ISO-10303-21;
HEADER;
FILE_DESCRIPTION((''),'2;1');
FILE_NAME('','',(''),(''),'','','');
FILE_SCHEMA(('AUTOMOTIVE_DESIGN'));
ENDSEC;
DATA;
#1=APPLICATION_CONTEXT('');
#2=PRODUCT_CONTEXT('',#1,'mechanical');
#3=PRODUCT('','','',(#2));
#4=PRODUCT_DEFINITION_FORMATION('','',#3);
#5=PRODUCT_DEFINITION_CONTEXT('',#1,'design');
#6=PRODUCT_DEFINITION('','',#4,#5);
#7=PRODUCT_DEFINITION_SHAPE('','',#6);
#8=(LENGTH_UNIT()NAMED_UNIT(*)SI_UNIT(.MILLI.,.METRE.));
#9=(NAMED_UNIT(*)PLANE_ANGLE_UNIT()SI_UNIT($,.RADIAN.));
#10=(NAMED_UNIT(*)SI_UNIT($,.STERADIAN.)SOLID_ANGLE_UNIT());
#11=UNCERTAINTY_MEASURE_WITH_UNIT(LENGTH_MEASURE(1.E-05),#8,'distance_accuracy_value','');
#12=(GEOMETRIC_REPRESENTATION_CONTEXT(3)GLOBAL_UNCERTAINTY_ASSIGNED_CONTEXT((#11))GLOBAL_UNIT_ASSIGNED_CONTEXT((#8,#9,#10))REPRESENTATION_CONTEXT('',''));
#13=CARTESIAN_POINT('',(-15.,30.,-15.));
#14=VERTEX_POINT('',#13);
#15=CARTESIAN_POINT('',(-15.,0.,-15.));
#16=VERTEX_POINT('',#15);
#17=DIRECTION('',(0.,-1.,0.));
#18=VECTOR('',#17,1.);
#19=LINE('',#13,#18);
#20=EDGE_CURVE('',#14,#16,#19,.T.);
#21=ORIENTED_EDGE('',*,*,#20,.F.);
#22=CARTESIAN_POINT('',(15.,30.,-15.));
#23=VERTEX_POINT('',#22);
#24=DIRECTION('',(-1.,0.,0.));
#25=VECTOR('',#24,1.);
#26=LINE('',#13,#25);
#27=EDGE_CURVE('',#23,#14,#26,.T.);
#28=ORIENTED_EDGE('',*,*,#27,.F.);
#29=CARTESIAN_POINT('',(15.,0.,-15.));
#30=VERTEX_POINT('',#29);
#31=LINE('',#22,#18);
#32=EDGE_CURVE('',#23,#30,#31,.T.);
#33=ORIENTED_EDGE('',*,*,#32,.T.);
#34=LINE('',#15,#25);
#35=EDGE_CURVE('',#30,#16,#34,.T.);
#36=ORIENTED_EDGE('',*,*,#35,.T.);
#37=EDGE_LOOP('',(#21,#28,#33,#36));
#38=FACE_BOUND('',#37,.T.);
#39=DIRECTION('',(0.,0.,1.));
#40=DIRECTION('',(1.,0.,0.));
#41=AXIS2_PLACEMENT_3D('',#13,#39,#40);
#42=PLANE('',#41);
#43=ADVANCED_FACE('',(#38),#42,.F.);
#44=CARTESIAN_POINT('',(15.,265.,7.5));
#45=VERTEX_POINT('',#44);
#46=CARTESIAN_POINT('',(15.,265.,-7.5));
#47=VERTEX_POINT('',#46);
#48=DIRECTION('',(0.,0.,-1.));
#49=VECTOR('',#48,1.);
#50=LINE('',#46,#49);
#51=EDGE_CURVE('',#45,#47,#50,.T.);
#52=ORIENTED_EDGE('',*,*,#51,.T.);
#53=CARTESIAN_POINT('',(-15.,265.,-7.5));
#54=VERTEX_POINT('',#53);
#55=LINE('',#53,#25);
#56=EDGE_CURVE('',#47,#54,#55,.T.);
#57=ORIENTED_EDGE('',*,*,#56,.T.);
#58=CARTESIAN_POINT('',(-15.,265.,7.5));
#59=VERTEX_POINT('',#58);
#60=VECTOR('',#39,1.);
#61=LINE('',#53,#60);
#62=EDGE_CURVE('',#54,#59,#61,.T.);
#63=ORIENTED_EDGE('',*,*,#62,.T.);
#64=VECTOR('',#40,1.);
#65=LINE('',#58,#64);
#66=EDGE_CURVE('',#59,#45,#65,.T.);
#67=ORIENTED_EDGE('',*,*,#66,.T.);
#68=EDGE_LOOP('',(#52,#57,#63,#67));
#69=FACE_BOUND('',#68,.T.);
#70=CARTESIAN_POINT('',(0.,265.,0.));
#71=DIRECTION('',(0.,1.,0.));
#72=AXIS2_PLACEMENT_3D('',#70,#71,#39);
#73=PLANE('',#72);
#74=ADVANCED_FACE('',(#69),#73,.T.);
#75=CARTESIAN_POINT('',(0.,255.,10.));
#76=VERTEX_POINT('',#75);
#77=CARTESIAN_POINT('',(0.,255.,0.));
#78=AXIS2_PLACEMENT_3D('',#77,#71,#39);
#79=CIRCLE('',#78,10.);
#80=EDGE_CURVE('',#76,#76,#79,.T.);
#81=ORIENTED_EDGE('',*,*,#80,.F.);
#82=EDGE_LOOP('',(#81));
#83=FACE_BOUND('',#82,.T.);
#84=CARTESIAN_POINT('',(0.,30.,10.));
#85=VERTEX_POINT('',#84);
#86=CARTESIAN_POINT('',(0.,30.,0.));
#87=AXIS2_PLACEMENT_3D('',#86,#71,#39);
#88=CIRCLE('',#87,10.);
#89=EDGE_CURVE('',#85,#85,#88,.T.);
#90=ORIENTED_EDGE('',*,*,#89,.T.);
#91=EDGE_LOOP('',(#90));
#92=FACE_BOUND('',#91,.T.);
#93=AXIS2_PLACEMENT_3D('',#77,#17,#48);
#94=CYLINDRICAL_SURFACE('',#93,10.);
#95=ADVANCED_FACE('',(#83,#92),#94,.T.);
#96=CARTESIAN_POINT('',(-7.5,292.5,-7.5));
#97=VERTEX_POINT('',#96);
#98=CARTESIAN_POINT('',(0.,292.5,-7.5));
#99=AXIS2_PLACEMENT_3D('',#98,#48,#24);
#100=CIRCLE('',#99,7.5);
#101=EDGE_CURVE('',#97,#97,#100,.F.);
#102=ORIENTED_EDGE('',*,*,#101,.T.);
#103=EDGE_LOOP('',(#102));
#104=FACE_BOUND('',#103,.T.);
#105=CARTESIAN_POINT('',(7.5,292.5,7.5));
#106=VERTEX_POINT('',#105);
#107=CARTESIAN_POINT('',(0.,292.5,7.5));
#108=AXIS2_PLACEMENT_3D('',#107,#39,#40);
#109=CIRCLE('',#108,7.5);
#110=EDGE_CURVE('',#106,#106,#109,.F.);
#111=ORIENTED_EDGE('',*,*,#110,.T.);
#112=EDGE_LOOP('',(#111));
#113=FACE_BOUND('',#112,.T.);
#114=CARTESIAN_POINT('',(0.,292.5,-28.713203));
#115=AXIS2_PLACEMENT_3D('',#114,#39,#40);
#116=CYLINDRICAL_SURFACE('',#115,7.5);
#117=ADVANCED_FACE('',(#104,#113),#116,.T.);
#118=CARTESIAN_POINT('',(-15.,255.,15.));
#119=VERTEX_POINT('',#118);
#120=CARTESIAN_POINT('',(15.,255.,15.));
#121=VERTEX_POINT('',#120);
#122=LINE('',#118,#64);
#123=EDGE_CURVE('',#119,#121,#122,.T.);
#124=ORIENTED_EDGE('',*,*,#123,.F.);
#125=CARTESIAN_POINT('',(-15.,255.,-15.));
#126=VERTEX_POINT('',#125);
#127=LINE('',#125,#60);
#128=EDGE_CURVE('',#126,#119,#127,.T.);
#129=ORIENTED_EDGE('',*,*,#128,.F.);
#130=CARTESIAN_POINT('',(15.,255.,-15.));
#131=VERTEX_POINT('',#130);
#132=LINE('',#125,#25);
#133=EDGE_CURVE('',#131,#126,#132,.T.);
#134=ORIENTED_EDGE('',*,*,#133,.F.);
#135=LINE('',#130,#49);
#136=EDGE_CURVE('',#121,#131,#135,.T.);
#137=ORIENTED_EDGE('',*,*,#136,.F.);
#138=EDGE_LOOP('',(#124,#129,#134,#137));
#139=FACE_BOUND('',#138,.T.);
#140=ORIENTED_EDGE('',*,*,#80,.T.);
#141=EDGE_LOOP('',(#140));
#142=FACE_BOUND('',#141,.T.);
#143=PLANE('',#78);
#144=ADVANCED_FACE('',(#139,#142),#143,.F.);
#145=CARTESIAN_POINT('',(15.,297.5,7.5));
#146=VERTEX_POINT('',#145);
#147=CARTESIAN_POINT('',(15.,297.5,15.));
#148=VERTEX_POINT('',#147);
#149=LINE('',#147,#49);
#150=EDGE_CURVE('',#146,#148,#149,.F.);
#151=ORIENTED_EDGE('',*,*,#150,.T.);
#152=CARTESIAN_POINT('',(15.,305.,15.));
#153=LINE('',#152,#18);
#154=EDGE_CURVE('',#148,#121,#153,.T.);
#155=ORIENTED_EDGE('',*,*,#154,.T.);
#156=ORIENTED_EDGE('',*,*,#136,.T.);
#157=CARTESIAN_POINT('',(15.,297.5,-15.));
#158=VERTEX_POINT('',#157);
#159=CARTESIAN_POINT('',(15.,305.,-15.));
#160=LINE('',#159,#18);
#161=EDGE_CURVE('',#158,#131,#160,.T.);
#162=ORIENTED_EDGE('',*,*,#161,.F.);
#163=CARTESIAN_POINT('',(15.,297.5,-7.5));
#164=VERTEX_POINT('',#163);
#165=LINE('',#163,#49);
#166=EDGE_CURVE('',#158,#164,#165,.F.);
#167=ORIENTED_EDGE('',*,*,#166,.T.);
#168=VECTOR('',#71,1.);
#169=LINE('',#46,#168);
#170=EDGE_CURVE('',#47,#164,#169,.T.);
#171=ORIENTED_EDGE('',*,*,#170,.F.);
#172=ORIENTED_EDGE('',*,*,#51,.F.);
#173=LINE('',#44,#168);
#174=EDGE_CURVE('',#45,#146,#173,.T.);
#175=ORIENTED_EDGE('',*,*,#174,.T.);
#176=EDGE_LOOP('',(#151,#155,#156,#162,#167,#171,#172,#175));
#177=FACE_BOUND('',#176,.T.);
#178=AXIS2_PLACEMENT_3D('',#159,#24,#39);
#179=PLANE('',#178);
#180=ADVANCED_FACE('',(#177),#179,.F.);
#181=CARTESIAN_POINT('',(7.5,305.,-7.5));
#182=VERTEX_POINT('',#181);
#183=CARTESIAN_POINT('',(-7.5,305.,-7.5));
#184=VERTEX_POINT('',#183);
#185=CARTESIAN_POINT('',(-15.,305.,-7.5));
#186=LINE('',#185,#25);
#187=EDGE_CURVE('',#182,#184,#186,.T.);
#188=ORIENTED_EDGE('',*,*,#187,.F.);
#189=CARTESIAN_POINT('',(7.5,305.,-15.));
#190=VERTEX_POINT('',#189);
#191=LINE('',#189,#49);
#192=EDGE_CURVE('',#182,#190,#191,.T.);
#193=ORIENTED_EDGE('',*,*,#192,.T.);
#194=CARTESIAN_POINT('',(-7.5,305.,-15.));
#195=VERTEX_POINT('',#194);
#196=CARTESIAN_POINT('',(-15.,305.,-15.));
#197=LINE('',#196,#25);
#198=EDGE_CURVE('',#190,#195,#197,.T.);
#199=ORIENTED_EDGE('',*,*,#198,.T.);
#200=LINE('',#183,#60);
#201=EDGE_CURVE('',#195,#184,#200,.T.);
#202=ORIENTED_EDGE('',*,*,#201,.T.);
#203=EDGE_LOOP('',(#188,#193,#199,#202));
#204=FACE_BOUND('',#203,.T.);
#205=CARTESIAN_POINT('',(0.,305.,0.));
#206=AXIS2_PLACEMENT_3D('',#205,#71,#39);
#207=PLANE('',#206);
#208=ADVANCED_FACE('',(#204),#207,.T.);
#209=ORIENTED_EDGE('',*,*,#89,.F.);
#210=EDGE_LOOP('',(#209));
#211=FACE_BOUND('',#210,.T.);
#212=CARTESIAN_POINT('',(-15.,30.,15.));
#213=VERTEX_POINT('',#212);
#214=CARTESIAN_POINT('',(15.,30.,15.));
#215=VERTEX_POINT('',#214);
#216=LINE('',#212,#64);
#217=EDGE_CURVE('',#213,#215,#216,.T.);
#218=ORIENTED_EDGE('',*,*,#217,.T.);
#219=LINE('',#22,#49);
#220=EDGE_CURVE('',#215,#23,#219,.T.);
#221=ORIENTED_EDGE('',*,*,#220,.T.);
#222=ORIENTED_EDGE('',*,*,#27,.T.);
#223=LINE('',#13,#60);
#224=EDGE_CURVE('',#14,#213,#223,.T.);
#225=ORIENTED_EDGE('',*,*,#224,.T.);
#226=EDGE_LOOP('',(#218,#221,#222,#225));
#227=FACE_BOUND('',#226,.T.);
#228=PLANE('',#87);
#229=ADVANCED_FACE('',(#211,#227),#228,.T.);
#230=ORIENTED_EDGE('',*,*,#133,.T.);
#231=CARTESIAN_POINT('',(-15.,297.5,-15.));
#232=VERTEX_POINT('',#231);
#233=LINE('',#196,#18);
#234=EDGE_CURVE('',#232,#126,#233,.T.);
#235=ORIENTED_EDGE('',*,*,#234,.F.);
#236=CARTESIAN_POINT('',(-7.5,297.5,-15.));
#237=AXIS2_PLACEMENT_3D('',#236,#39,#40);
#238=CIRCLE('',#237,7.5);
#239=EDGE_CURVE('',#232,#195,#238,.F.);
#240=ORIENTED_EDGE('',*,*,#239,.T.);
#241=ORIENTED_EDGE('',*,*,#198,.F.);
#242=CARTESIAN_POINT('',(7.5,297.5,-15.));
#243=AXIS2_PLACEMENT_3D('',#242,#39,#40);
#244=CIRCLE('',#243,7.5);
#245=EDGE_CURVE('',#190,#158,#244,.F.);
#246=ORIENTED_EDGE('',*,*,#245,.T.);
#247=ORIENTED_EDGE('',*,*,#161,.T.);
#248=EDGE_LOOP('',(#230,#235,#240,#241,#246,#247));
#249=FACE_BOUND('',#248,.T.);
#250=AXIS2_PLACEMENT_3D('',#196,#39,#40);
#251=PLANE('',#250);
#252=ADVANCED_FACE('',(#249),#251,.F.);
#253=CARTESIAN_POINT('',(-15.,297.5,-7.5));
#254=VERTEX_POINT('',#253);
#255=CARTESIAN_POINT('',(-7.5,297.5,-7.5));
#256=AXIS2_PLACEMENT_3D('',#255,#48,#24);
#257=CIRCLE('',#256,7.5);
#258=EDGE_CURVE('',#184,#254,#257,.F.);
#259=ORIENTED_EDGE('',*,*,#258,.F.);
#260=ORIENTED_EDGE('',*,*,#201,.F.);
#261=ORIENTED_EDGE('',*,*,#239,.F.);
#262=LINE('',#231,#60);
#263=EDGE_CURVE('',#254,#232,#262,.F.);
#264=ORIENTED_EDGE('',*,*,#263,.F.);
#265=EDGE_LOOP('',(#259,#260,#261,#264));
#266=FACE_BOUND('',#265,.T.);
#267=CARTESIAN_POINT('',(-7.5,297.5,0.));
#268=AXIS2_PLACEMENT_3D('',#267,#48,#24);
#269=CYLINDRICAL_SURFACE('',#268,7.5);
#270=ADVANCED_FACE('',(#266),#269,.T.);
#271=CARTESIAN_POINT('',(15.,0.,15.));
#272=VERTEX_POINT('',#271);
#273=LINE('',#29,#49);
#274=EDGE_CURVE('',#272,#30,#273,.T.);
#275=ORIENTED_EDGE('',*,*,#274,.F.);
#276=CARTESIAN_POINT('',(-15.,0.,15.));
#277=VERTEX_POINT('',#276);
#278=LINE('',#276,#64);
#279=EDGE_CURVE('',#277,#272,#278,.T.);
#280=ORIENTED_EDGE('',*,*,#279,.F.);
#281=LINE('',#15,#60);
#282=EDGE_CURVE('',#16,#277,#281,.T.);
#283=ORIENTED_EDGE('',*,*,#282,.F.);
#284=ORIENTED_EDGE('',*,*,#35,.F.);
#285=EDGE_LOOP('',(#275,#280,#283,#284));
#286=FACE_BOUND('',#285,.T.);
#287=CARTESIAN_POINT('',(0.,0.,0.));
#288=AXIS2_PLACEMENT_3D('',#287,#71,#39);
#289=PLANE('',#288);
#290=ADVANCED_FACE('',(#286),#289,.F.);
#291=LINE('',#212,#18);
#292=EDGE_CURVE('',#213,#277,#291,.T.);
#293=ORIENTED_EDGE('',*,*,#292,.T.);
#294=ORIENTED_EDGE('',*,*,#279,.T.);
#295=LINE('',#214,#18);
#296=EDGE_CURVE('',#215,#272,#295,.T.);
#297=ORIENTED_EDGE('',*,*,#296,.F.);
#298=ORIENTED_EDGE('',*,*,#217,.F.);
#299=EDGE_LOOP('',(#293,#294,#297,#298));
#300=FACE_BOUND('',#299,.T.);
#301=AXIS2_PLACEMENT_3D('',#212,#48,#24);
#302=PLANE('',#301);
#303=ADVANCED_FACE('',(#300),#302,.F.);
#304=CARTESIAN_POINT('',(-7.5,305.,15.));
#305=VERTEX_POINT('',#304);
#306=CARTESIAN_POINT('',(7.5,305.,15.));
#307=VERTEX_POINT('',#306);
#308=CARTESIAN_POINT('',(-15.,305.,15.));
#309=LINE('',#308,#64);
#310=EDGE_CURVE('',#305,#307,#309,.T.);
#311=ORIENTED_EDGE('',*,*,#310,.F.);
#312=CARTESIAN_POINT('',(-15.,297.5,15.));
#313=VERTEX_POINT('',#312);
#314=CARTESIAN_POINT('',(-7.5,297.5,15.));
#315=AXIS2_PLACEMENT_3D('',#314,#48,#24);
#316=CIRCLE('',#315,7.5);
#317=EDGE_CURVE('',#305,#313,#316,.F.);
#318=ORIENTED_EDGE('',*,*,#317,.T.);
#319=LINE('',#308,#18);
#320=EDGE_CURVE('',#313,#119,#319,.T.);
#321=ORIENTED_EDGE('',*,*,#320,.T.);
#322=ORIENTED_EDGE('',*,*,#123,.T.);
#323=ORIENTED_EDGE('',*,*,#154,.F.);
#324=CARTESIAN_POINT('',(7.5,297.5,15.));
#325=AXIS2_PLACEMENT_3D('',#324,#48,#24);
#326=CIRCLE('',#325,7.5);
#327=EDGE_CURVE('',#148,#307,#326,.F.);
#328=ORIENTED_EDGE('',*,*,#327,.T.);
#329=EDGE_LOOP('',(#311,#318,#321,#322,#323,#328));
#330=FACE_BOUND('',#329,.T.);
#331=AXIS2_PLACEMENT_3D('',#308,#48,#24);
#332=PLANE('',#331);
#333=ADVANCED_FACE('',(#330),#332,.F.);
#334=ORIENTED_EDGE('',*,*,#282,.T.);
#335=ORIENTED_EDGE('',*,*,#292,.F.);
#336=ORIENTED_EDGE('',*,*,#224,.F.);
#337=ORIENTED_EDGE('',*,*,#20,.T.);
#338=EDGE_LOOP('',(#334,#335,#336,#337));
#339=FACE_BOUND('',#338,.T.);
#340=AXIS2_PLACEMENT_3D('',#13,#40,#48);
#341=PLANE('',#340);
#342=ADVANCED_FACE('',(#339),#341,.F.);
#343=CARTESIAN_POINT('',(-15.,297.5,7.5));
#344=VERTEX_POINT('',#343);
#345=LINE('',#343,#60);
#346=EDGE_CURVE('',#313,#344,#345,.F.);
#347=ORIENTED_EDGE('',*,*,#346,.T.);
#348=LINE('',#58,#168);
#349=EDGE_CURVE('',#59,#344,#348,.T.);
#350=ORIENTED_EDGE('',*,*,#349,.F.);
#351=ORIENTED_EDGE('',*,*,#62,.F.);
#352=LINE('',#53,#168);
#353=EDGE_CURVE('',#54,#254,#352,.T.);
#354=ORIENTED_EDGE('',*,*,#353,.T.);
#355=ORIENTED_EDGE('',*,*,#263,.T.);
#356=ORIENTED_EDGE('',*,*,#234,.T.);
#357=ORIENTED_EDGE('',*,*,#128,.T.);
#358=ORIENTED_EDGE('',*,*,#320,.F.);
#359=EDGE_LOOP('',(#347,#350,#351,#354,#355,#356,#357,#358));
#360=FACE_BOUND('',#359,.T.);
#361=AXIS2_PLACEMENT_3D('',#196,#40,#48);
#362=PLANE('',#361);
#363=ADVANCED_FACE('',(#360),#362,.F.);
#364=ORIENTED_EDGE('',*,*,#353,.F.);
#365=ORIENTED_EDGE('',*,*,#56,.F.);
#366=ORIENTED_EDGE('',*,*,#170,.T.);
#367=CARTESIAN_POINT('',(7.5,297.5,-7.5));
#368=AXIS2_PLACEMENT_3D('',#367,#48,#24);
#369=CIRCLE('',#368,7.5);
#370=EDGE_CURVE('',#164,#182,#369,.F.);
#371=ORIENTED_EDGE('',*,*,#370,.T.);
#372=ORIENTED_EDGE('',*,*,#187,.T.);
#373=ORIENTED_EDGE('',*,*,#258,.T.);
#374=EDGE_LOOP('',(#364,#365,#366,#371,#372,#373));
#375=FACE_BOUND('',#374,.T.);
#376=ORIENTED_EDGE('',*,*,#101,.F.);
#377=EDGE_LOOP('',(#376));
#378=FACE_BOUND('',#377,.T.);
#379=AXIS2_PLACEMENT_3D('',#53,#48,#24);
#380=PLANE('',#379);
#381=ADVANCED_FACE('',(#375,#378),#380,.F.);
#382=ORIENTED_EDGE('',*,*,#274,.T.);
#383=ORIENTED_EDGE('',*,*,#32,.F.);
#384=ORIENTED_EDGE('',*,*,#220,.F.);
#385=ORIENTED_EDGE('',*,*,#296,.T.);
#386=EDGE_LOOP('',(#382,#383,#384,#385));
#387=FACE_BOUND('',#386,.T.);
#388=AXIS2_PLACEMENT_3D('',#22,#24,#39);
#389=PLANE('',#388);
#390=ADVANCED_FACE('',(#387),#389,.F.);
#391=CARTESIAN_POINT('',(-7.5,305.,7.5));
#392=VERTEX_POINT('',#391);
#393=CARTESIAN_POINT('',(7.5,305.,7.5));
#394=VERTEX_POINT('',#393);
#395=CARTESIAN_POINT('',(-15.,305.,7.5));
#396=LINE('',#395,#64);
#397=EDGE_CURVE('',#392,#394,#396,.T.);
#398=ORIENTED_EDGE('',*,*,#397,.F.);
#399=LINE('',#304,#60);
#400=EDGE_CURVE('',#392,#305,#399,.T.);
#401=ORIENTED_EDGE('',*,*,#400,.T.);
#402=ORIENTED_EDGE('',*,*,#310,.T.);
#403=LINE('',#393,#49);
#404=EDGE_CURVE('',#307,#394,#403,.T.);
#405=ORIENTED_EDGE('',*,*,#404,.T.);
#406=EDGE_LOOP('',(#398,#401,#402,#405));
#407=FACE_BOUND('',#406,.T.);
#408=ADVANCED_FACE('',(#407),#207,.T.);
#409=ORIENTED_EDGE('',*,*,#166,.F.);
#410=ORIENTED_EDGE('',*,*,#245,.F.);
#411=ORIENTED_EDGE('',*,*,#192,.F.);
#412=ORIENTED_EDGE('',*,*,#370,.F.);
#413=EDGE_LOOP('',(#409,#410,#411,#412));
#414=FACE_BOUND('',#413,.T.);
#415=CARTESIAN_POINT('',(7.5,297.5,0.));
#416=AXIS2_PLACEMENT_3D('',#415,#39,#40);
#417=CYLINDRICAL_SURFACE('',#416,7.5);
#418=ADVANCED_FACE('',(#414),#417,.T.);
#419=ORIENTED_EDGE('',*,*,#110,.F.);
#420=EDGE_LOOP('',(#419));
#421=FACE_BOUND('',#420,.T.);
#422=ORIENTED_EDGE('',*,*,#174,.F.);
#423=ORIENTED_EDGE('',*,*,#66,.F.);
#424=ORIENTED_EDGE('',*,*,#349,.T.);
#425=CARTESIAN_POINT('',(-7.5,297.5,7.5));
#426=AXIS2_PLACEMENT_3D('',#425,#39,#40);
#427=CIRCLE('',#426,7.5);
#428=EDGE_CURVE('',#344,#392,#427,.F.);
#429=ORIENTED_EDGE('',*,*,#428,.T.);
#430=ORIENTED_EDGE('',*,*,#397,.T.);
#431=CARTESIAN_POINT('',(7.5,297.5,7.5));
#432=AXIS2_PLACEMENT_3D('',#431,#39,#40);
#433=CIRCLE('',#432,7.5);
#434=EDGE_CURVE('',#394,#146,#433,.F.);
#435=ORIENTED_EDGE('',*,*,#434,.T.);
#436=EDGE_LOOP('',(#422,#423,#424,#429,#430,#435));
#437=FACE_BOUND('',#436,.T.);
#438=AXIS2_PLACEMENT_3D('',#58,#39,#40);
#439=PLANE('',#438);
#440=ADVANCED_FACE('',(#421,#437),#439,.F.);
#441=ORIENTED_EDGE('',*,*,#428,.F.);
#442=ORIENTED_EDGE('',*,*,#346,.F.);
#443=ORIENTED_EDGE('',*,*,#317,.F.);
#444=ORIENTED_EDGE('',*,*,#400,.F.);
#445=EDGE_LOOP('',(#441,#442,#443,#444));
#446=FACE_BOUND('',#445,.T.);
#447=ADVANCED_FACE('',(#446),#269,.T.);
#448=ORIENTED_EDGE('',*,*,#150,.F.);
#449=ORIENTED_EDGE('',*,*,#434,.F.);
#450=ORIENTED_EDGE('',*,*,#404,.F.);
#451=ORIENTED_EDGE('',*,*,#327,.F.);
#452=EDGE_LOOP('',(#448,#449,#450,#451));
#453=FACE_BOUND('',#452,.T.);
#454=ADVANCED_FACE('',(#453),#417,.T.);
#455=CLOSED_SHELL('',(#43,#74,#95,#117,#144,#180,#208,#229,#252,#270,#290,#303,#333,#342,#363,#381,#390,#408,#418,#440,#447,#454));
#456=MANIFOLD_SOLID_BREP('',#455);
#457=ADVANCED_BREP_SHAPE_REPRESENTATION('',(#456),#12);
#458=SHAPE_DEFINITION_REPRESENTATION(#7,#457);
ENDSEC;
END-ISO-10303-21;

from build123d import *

# Parameters (mm, degrees)
SKETCH1_W           = 30
SKETCH1_H           = 30
BOSS_EXTRUDE1_DEPTH = 30
SKETCH2_R           = 10
BOSS_EXTRUDE2_DEPTH = 225
SKETCH3_W           = 30
SKETCH3_H           = 30
BOSS_EXTRUDE3_DEPTH = 50
SKETCH4_W           = 30
SKETCH4_H           = 15
CUT_EXTRUDE1_DEPTH  = 40
SKETCH5_R           = 7.5
BOSS_EXTRUDE4_DEPTH = 15
FILLET1_R           = 7.5


with BuildPart() as part:
    # Sketch1 → Boss-Extrude1 (new body)
    with BuildSketch(Plane(origin=(0, 0, 0), x_dir=(1, 0, 0), z_dir=(0, 1, 0))):
        Rectangle(SKETCH1_W, SKETCH1_H)
    extrude(amount=BOSS_EXTRUDE1_DEPTH)

    # Sketch2 → Boss-Extrude2 (add)
    with BuildSketch(Plane(origin=(0, 30, 0), x_dir=(1, 0, 0), z_dir=(0, 1, 0))):
        Circle(SKETCH2_R)
    extrude(amount=BOSS_EXTRUDE2_DEPTH)

    # Sketch3 → Boss-Extrude3 (add)
    with BuildSketch(Plane(origin=(0, 255, 0), x_dir=(1, 0, 0), z_dir=(0, 1, 0))):
        Rectangle(SKETCH3_W, SKETCH3_H)
    extrude(amount=BOSS_EXTRUDE3_DEPTH)

    # Sketch4 → Cut-Extrude1 (cut)
    with BuildSketch(Plane(origin=(0, 305, 0), x_dir=(1, 0, 0), z_dir=(0, 1, 0))):
        Rectangle(SKETCH4_W, SKETCH4_H)
    extrude(amount=-CUT_EXTRUDE1_DEPTH, mode=Mode.SUBTRACT)

    # Sketch5 → Boss-Extrude4 (add)
    with BuildSketch(Plane(origin=(0, 0, 7.5), x_dir=(-1, 0, 0), z_dir=(0, 0, -1))):
        with Locations((0, 292.5)):
            Circle(SKETCH5_R)
    extrude(amount=BOSS_EXTRUDE4_DEPTH)

    # Fillet1
    fillet1_edges = [part.edges().sort_by_distance(p)[0] for p in [
        (15, 305, 11.25),
        (-15, 305, -11.25),
        (15, 305, -11.25),
        (-15, 305, 11.25),
    ]]
    fillet(fillet1_edges, radius=FILLET1_R)


solid = part.part
